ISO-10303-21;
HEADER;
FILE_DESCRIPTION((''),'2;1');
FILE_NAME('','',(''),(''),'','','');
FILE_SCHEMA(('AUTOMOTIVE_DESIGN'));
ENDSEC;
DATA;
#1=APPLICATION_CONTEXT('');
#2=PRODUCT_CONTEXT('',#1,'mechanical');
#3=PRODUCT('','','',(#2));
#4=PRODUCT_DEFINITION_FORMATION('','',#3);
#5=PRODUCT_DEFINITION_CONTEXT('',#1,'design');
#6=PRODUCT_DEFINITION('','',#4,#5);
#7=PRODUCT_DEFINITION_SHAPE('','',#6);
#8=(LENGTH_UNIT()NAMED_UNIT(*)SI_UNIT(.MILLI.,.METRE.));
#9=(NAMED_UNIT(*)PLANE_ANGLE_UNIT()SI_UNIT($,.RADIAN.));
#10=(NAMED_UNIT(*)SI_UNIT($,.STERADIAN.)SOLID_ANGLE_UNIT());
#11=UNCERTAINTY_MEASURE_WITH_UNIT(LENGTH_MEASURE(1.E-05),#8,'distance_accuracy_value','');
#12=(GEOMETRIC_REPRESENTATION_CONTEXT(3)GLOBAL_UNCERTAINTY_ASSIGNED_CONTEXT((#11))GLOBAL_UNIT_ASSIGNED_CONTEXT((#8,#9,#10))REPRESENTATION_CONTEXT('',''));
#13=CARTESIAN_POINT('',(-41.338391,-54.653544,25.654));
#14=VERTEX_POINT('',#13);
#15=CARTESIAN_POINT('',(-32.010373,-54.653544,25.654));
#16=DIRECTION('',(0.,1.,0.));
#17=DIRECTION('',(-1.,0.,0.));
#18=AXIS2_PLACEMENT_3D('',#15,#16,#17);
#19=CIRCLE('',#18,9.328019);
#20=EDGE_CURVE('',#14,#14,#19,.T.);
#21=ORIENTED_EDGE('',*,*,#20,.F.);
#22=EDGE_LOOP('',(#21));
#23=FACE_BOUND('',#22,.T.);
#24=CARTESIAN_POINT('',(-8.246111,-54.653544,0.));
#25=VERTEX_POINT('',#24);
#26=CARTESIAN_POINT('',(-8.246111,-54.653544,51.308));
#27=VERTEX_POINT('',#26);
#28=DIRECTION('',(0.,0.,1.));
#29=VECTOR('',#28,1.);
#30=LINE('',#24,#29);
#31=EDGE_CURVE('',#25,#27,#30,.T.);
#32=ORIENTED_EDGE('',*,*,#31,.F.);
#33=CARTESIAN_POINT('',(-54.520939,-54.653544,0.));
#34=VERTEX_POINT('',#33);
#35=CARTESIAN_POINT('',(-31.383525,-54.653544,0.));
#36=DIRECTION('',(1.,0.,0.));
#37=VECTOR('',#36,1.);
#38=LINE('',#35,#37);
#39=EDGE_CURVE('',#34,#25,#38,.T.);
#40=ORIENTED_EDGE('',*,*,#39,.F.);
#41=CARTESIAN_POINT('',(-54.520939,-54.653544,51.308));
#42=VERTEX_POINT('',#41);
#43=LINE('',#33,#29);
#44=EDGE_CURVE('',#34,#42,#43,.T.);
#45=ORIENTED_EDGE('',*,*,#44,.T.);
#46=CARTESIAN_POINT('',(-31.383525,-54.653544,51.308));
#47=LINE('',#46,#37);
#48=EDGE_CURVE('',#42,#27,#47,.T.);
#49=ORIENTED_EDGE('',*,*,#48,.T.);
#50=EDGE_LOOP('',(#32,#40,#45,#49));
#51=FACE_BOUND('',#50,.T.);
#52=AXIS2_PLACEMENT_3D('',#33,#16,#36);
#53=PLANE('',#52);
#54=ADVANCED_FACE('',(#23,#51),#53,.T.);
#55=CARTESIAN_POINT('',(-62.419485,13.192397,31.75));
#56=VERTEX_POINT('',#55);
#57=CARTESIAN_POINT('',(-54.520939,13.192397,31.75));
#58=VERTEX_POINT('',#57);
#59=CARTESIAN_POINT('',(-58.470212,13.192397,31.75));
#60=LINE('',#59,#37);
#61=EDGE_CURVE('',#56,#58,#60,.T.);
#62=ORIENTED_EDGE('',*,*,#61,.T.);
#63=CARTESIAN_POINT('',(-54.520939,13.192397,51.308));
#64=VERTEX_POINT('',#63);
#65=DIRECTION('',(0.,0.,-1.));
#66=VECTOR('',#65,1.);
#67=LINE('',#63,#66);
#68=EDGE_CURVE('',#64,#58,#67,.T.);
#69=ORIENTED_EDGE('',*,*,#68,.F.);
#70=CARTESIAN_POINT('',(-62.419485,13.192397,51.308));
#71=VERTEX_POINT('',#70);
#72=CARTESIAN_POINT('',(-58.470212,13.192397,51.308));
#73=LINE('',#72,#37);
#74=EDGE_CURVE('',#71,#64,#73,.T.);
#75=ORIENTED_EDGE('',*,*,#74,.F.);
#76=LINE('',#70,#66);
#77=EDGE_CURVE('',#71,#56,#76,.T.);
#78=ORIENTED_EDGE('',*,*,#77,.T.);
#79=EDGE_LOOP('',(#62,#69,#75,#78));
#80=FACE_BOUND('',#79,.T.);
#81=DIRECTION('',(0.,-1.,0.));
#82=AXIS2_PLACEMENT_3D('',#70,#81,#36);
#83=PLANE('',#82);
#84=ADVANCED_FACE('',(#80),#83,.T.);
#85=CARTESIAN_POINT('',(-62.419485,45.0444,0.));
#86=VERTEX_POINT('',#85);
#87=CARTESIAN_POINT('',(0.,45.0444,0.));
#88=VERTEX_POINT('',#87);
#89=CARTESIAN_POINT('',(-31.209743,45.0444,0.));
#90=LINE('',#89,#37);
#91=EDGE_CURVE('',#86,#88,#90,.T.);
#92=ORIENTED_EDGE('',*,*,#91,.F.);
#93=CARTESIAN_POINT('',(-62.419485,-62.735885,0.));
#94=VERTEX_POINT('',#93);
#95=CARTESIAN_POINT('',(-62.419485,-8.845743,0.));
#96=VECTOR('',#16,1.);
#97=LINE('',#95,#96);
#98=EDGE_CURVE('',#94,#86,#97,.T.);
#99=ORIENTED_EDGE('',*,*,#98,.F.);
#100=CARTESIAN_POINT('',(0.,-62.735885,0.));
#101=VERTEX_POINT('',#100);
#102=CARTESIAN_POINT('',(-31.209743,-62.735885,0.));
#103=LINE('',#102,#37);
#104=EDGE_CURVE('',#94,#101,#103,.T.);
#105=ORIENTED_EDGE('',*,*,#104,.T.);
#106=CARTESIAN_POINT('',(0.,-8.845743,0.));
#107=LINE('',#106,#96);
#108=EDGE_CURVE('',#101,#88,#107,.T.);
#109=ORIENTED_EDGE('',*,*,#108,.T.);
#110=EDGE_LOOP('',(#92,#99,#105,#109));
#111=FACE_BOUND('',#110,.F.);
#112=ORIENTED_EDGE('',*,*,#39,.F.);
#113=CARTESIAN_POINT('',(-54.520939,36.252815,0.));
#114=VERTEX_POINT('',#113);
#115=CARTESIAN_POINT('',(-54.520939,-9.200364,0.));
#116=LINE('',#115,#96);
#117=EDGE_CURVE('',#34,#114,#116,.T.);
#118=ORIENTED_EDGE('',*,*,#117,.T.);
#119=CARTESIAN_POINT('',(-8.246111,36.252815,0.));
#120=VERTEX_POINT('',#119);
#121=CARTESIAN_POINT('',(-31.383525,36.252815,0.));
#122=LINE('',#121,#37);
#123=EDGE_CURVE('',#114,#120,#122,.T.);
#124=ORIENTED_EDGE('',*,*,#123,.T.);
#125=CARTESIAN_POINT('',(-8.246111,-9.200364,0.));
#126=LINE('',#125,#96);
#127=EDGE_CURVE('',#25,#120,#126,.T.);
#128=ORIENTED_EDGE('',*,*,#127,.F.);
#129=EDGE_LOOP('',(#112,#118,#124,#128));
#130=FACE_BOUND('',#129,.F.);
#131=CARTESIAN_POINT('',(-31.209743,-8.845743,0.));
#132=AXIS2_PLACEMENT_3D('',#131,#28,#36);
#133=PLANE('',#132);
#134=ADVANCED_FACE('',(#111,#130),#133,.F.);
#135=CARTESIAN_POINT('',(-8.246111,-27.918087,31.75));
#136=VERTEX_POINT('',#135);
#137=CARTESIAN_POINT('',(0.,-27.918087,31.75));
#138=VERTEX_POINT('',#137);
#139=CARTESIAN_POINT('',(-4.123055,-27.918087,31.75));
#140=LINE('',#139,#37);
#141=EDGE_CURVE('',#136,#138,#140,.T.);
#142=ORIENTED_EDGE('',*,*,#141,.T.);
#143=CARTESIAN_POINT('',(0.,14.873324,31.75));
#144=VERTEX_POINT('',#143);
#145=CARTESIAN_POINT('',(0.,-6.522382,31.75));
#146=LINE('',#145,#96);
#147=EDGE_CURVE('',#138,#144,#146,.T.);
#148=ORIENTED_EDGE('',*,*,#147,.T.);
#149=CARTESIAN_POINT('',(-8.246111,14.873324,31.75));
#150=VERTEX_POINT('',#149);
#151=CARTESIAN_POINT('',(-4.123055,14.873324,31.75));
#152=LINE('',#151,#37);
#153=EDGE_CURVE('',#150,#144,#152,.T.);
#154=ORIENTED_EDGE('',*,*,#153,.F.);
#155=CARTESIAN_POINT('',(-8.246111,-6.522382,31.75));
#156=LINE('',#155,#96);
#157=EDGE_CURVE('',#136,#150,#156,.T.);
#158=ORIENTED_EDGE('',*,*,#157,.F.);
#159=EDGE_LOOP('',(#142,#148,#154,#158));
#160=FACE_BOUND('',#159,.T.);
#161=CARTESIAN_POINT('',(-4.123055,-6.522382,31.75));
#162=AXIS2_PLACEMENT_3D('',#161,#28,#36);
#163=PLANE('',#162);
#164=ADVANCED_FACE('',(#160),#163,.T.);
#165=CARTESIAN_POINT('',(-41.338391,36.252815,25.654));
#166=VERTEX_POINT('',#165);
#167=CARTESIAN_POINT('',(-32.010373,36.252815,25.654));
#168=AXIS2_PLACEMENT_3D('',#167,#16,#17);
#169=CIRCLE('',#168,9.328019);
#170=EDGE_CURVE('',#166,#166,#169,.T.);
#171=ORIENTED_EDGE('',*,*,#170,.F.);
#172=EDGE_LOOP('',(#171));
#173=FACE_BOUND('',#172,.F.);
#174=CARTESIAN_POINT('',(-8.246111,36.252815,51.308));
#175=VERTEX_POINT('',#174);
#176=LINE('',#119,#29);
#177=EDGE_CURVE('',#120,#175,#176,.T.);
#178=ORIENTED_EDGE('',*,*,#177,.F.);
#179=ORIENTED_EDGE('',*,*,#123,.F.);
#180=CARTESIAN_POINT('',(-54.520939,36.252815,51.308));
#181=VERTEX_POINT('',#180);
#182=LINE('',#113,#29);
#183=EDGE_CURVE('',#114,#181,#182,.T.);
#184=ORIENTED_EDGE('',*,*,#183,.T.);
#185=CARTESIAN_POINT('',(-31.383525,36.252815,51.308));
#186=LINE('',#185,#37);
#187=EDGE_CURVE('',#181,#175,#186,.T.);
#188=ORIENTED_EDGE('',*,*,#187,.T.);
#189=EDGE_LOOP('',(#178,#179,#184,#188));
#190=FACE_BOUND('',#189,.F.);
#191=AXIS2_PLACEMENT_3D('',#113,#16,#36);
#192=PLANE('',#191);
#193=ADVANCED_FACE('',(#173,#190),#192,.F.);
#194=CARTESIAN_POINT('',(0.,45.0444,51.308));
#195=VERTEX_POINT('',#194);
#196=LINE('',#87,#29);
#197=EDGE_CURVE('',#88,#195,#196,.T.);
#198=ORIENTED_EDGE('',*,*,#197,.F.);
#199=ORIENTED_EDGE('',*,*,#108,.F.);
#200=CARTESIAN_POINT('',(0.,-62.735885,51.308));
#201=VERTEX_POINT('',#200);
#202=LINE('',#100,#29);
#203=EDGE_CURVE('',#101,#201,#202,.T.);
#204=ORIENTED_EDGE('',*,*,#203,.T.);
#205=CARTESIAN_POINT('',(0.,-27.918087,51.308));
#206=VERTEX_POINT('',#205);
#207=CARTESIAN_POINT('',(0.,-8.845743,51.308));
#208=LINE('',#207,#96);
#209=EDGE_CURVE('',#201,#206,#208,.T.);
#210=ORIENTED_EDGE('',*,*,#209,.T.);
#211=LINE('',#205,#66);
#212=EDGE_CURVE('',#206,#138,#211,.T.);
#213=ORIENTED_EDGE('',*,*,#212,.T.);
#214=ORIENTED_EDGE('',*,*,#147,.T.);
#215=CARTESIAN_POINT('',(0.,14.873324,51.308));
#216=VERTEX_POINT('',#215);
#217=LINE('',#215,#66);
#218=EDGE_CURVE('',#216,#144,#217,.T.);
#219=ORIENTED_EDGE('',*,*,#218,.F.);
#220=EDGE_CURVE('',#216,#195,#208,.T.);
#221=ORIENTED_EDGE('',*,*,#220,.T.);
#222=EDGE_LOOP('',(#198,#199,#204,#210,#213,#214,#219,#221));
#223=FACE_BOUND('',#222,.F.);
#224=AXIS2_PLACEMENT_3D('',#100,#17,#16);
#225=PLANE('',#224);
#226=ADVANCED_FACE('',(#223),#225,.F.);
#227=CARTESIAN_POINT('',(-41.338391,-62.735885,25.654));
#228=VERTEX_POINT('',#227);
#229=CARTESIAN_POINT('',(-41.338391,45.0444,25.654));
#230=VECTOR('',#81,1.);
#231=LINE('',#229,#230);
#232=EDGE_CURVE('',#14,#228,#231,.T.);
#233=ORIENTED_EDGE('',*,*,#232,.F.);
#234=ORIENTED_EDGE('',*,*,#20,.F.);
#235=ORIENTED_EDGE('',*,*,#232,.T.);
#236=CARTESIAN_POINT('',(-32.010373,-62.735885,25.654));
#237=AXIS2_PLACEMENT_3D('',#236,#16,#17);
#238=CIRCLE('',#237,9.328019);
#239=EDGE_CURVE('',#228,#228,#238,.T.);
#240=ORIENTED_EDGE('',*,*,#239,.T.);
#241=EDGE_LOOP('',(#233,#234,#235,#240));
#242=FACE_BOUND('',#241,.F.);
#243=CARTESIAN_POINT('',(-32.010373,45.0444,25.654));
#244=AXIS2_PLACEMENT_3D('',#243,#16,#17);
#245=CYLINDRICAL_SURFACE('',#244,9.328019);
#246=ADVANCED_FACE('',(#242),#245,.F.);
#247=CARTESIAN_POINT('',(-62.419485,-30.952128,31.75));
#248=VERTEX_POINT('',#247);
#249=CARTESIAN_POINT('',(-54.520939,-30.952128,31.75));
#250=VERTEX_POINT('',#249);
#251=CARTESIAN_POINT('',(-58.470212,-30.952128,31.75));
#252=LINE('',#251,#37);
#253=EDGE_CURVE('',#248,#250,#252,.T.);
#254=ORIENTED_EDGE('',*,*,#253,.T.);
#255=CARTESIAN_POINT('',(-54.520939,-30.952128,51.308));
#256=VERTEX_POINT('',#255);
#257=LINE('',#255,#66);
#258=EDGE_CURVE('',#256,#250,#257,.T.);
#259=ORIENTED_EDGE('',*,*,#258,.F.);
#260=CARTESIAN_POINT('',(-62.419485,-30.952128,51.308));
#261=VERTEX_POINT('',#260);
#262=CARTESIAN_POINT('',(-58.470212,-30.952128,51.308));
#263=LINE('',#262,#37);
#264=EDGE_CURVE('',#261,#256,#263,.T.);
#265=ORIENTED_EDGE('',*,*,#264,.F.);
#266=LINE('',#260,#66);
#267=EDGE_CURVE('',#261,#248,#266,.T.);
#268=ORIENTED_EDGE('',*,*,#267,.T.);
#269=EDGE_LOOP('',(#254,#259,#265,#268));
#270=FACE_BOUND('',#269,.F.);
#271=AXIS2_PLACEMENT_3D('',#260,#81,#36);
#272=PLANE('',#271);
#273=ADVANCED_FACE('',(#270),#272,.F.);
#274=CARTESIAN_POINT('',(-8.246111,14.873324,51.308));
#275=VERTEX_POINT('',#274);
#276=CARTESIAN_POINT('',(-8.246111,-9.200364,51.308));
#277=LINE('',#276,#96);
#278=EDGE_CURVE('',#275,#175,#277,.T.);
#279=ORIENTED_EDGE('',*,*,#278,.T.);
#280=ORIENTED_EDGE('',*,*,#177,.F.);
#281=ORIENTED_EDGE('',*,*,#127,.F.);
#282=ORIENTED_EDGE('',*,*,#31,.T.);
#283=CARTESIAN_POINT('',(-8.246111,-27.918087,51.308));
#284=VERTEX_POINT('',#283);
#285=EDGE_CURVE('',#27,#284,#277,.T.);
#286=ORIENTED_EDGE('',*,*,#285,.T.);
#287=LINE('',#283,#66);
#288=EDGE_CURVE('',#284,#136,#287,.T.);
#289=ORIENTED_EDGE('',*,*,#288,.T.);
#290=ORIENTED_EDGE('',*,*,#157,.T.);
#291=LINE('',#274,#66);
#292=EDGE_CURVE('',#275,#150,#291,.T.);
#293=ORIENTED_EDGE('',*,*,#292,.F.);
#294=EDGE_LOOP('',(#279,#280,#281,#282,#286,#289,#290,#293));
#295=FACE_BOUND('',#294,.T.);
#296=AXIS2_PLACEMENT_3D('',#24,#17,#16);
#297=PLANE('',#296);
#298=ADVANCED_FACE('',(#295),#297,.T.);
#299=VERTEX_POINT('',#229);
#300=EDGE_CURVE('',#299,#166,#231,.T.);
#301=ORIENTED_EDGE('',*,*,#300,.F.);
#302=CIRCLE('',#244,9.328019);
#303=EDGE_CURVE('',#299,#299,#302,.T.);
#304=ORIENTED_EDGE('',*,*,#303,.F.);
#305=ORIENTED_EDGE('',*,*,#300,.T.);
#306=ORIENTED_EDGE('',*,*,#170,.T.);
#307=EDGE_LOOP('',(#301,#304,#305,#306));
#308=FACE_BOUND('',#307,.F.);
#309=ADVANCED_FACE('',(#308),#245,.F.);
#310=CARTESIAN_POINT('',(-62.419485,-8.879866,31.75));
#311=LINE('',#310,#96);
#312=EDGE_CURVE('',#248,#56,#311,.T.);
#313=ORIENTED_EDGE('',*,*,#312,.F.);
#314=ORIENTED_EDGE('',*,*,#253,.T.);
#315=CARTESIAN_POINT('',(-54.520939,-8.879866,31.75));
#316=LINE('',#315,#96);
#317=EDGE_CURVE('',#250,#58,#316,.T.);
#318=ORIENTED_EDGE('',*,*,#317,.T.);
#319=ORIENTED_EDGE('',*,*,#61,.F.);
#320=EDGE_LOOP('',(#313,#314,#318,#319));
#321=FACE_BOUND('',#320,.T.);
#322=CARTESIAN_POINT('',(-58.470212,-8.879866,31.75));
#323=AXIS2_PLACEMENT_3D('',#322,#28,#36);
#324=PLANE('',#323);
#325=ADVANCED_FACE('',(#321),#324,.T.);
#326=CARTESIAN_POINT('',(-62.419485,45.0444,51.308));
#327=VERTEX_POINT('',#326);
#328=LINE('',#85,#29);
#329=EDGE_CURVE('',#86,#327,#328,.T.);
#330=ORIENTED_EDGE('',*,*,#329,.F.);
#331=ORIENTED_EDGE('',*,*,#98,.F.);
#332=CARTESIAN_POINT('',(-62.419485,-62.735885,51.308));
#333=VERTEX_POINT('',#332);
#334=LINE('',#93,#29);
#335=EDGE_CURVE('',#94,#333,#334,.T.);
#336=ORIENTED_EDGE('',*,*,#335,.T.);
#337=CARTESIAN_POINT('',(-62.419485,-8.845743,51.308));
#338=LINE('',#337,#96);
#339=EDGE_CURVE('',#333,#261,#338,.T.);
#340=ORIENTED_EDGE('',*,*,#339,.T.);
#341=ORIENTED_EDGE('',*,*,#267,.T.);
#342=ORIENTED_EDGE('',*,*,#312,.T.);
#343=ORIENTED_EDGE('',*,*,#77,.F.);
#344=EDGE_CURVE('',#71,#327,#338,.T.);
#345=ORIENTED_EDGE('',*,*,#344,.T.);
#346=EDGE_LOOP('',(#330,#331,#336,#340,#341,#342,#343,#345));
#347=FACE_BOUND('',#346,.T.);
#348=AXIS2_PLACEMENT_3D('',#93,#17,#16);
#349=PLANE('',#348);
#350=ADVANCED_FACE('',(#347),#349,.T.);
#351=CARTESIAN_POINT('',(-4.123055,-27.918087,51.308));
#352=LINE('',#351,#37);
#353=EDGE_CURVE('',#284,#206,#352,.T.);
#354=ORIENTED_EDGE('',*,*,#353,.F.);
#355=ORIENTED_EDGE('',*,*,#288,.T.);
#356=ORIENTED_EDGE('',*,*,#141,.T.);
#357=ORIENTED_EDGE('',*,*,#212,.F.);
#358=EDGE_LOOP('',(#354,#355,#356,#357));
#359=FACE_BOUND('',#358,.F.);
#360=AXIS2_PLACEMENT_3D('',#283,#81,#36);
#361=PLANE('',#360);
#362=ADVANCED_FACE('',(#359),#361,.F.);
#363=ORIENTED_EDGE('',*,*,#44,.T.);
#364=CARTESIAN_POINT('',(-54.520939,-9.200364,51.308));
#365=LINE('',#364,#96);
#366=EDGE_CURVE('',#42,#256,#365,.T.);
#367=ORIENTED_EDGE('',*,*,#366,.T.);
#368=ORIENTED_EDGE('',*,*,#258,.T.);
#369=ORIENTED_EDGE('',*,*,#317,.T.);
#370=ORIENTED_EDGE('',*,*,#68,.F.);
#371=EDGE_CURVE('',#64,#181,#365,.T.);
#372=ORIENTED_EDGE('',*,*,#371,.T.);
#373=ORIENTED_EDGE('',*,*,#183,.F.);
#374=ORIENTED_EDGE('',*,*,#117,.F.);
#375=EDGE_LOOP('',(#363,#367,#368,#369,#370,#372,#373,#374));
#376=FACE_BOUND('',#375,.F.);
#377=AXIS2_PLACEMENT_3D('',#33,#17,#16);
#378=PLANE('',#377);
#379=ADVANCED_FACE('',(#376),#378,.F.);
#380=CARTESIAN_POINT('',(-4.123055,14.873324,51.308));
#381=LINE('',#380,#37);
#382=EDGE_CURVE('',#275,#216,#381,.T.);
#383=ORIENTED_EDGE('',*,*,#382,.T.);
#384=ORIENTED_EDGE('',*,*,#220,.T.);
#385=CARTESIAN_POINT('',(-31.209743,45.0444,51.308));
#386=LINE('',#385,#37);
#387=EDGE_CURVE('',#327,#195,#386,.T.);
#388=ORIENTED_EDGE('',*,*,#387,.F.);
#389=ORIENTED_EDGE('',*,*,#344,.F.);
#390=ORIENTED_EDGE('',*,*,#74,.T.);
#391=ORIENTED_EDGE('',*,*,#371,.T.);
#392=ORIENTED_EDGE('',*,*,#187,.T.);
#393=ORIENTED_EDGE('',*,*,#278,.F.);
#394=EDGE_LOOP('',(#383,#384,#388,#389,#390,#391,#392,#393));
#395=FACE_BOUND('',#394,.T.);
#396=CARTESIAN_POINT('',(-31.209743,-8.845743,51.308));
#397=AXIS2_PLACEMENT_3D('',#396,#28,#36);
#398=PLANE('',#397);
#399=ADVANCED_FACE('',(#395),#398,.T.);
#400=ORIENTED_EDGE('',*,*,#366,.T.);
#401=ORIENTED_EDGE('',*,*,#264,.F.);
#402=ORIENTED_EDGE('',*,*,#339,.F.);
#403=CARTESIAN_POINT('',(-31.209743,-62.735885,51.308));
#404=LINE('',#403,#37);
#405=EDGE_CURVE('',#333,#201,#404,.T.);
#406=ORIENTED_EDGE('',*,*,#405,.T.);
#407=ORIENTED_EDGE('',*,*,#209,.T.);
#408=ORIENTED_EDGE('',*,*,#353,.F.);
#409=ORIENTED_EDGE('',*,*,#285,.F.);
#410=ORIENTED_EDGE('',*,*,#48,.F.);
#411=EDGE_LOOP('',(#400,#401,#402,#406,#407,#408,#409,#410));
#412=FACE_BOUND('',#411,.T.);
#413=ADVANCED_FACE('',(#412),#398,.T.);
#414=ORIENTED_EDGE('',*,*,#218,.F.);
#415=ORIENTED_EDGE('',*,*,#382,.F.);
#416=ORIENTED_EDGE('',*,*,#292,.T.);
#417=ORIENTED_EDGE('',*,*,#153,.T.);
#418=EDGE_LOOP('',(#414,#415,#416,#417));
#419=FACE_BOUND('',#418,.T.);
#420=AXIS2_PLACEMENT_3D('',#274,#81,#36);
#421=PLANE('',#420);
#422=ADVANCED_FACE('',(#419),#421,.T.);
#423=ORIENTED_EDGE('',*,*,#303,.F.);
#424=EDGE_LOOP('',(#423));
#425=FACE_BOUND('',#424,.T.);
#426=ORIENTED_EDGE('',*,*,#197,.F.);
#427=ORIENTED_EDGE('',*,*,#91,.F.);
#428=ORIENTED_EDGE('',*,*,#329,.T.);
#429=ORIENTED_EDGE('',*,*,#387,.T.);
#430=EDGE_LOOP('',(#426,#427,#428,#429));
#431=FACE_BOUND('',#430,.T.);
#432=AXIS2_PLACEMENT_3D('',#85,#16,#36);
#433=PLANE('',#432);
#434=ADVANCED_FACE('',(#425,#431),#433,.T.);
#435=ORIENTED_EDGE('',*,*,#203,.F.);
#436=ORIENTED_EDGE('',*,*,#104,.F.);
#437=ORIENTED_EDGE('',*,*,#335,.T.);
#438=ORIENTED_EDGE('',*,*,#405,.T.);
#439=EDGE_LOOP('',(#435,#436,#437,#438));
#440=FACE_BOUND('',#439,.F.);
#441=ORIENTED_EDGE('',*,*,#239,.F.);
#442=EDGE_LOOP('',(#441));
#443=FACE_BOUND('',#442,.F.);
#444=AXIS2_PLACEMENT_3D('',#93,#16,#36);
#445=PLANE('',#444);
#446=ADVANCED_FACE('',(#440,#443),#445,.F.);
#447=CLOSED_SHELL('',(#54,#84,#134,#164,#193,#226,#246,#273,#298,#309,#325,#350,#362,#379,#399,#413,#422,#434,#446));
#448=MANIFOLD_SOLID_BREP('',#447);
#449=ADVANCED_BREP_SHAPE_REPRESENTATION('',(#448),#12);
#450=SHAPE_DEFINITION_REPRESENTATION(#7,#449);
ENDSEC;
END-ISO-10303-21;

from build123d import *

# Parameters (mm, degrees)
F0_W     = 62.4194853008
F0_H     = 107.7802851796
F0_W_2   = 46.2748277932
F0_H_2   = 90.9063592553
F1_DEPTH = 51.308
F2_W     = 8.2461107522
F2_H     = 42.7914112806
F2_W_2   = 7.8985467553
F2_H_2   = 44.1445242614
F3_DEPTH = 19.558
F4_R     = 9.3280185705
F5_DEPTH = 152.4


with BuildPart() as f1:
    # F0 (on Top) → F1 (new body)
    with BuildSketch(Plane.XY):
        with Locations((-31.2097426504, -8.8457427919)):
            Rectangle(F0_W, F0_H)
        with Locations((-31.3835246488, -9.2003643513)):
            Rectangle(F0_W_2, F0_H_2, mode=Mode.SUBTRACT)
    extrude(amount=F1_DEPTH)

    # F2 (on face) → F3 (cut)
    with BuildSketch(Plane.XY.offset(51.308)):
        with Locations((-4.1230553761, -6.5223816782)):
            Rectangle(F2_W, F2_H)
        with Locations((-58.4702119231, -8.8798655197)):
            Rectangle(F2_W_2, F2_H_2)
    extrude(amount=-F3_DEPTH, mode=Mode.SUBTRACT)

    # F4 (on face) → F5 (cut)
    with BuildSketch(Plane(origin=(0, 45.0443997979, 0), x_dir=(-1, 0, 0), z_dir=(0, 1, 0))):
        with Locations((32.0103727281, 25.654)):
            Circle(F4_R)
    extrude(amount=-F5_DEPTH, mode=Mode.SUBTRACT)


solid = f1.part
